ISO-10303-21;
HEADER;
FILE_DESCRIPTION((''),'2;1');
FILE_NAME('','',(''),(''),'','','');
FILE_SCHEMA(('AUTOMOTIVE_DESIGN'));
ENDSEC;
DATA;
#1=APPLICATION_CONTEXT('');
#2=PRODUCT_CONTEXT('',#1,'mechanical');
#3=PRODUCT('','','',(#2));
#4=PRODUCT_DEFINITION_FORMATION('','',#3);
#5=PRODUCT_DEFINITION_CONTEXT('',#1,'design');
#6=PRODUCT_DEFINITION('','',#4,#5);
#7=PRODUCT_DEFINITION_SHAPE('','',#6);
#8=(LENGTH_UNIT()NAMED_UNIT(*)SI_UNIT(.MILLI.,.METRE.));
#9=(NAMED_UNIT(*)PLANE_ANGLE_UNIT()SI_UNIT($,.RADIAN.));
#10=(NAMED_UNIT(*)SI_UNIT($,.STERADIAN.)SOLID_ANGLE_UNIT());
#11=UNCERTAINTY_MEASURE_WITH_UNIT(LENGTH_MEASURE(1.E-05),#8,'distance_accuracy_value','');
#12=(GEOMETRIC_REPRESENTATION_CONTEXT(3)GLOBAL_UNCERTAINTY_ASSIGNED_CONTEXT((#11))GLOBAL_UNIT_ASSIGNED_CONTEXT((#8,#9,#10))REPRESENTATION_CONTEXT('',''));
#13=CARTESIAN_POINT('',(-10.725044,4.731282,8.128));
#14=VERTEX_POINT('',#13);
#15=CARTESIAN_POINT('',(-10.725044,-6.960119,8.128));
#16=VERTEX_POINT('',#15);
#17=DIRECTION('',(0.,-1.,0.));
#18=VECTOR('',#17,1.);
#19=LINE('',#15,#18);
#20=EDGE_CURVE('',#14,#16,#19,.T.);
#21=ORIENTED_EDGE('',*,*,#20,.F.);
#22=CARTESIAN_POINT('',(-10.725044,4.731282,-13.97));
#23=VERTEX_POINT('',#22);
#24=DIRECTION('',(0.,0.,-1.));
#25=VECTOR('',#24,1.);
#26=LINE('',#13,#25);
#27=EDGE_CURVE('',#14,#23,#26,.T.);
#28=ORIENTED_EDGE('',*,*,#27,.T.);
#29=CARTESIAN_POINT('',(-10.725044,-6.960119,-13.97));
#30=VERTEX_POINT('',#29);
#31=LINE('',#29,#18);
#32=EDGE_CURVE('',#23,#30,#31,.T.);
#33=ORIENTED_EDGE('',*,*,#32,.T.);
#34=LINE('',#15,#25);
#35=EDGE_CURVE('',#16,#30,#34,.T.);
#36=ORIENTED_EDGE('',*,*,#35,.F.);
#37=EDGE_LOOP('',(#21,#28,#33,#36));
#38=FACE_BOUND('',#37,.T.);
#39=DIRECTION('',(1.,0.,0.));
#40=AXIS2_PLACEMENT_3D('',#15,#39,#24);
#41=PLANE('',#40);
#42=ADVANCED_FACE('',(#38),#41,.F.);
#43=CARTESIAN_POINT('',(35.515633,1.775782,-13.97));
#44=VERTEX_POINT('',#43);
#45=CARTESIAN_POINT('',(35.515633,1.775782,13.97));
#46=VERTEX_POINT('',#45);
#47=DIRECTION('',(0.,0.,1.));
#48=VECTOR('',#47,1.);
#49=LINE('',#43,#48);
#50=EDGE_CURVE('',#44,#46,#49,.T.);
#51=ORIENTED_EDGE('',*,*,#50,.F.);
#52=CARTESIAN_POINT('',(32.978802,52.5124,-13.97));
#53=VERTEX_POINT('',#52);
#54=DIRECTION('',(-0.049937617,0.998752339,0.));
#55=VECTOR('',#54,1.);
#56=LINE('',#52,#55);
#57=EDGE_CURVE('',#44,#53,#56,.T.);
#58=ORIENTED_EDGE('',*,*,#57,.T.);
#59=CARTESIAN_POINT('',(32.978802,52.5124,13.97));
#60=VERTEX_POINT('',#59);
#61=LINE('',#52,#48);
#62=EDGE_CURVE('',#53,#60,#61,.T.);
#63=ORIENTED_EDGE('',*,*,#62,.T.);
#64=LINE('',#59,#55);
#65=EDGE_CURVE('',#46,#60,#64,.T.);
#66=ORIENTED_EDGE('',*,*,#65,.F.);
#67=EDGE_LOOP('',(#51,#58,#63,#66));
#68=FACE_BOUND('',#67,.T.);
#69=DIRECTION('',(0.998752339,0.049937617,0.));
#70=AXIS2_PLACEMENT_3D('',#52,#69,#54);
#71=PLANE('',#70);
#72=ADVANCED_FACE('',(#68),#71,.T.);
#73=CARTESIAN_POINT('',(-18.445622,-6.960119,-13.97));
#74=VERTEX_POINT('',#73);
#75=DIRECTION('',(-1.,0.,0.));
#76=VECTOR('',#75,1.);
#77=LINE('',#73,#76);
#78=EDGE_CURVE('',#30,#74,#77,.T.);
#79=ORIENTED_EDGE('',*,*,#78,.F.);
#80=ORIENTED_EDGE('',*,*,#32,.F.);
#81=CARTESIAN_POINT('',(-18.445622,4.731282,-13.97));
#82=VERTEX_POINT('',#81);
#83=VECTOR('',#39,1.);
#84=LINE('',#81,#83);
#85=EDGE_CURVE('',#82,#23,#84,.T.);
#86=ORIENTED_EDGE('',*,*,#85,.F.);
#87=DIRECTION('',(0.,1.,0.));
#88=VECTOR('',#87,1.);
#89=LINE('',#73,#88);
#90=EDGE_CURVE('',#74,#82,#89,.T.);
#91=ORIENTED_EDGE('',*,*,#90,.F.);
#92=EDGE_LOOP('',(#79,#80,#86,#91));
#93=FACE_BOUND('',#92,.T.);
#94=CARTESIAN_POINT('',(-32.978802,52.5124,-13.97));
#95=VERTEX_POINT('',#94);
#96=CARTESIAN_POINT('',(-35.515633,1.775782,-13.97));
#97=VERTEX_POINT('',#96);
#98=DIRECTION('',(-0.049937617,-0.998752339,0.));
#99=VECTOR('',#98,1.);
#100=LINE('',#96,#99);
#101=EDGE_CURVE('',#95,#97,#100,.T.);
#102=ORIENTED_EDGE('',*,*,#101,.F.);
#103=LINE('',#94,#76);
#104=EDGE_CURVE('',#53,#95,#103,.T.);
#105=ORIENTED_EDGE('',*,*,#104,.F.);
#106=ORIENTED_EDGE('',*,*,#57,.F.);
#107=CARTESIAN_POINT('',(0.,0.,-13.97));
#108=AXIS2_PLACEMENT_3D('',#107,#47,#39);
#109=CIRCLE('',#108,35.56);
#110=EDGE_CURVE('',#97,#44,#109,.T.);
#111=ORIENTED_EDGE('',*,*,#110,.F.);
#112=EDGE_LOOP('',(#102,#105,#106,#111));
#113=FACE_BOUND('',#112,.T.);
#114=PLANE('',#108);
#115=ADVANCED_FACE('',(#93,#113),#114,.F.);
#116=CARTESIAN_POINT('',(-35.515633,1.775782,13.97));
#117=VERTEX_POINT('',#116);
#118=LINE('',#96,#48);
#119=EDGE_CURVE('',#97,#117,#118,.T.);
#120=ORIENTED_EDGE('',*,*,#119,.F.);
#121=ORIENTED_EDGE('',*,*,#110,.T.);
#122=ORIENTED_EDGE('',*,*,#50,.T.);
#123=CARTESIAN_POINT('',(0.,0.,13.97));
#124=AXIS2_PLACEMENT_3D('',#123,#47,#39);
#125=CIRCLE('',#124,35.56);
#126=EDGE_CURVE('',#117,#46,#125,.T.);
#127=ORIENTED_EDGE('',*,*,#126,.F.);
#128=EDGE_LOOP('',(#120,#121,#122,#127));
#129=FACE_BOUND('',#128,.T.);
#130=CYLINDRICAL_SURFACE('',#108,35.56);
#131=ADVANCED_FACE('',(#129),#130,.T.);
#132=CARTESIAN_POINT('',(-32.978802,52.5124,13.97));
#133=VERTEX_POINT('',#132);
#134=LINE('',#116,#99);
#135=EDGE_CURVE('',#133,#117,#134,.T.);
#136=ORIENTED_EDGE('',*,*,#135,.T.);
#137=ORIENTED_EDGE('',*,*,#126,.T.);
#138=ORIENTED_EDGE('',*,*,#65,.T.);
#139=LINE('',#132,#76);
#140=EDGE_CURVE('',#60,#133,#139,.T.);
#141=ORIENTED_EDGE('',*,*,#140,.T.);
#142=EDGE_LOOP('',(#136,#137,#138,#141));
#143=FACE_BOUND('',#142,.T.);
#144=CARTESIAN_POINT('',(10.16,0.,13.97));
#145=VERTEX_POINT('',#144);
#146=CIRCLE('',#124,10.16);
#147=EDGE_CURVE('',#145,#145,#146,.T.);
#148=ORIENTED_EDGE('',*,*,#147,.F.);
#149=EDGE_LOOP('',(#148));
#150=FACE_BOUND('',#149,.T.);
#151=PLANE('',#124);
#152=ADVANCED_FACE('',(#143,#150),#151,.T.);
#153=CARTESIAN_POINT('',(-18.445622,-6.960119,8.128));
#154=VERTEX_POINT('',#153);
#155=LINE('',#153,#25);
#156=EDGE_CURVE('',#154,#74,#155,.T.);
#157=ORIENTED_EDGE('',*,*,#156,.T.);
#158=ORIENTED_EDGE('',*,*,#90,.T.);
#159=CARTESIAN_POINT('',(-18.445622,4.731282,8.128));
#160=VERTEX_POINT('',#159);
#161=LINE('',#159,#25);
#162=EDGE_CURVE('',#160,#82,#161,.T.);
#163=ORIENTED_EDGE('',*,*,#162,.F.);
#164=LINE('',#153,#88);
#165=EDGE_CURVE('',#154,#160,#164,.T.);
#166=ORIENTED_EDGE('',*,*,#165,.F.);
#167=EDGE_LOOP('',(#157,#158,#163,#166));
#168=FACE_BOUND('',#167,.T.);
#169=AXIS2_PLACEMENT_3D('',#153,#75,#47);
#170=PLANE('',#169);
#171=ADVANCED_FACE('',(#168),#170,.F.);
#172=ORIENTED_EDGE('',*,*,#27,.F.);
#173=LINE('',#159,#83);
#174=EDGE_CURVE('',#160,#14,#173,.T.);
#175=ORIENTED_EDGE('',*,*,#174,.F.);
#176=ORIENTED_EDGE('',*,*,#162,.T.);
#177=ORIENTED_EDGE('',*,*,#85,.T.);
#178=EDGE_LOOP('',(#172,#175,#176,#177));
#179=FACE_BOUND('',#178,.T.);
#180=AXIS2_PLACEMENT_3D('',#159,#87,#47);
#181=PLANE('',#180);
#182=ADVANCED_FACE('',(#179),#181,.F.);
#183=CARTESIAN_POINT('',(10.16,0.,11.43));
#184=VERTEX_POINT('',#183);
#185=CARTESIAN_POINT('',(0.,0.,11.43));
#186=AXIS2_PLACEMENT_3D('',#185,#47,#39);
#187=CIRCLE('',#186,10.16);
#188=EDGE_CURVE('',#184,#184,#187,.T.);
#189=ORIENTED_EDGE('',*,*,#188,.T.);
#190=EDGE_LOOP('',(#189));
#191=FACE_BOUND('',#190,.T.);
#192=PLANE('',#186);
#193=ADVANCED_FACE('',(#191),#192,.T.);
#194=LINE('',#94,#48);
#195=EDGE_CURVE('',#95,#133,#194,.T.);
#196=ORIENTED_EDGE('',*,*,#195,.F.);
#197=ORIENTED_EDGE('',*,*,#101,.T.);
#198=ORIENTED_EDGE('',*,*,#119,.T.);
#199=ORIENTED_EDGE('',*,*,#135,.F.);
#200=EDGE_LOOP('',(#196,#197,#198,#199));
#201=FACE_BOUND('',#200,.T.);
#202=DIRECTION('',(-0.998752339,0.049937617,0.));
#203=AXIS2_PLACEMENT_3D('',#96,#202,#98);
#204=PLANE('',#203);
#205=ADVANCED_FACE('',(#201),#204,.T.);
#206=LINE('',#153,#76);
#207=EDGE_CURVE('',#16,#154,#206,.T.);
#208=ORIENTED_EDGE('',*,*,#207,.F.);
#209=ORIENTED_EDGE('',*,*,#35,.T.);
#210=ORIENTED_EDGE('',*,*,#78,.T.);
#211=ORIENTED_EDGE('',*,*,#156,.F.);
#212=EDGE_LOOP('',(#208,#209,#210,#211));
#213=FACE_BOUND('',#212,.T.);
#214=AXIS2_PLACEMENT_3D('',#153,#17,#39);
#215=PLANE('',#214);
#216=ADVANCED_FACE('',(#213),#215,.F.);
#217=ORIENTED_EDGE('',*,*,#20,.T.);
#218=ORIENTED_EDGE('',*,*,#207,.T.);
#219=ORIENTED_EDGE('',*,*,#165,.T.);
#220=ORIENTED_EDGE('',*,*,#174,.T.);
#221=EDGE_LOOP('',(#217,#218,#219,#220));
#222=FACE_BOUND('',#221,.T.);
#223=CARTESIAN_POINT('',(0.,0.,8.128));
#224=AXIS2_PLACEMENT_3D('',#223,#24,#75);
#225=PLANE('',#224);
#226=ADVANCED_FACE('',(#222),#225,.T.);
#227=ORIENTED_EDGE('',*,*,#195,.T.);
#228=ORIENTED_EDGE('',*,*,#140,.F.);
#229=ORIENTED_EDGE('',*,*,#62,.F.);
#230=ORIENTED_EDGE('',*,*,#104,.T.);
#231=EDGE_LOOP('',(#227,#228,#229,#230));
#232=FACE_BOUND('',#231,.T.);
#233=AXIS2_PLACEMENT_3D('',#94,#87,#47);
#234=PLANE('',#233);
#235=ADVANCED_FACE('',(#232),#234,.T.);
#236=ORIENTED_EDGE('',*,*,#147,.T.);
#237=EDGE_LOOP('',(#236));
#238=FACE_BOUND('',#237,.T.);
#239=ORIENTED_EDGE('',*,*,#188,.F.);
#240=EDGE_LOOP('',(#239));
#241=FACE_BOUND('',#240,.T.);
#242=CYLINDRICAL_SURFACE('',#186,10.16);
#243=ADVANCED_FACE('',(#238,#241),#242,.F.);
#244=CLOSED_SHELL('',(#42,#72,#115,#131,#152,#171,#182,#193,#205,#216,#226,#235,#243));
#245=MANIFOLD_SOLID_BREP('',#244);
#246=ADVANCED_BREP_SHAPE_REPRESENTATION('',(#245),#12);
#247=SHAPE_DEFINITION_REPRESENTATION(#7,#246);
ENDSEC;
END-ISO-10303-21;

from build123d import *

# Parameters (mm, degrees)
BOSS_EXTRUDE1_DEPTH      = 13.97
BOSS_EXTRUDE1_DEPTH_BACK = 13.97
SKETCH3_R                = 10.16
CUT_EXTRUDE1_DEPTH       = 2.54
SKETCH5_W                = 7.720577833
SKETCH5_H                = 11.69140021
CUT_EXTRUDE3_DEPTH       = 22.098


with BuildPart() as part:
    # Sketch2 → Boss-Extrude1 (new, two sides: drawn at the far end of the back side and taken through both)
    with BuildSketch(Plane.XY.offset(-BOSS_EXTRUDE1_DEPTH_BACK)):
        with BuildLine():
            Line((-35.51563317, 1.775781659), (-32.97880223, 52.512400474))
            Line((-32.97880223, 52.512400474), (32.97880223, 52.512400474))
            Line((32.97880223, 52.512400474), (35.51563317, 1.775781659))
            ThreePointArc((35.51563317, 1.775781659), (0, -35.56), (-35.51563317, 1.775781659))
        make_face()
    extrude(amount=BOSS_EXTRUDE1_DEPTH + BOSS_EXTRUDE1_DEPTH_BACK)

    # Sketch3 → Cut-Extrude1 (cut)
    with BuildSketch(Plane.XY.offset(13.97)):
        Circle(SKETCH3_R)
    extrude(amount=-CUT_EXTRUDE1_DEPTH, mode=Mode.SUBTRACT)

    # Sketch5 → Cut-Extrude3 (cut)
    with BuildSketch(Plane(origin=(0, 0, -13.97), x_dir=(-1, 0, 0), z_dir=(0, 0, -1))):
        with Locations((14.585332616, -1.114418504)):
            Rectangle(SKETCH5_W, SKETCH5_H)
    extrude(amount=-CUT_EXTRUDE3_DEPTH, mode=Mode.SUBTRACT)


solid = part.part
